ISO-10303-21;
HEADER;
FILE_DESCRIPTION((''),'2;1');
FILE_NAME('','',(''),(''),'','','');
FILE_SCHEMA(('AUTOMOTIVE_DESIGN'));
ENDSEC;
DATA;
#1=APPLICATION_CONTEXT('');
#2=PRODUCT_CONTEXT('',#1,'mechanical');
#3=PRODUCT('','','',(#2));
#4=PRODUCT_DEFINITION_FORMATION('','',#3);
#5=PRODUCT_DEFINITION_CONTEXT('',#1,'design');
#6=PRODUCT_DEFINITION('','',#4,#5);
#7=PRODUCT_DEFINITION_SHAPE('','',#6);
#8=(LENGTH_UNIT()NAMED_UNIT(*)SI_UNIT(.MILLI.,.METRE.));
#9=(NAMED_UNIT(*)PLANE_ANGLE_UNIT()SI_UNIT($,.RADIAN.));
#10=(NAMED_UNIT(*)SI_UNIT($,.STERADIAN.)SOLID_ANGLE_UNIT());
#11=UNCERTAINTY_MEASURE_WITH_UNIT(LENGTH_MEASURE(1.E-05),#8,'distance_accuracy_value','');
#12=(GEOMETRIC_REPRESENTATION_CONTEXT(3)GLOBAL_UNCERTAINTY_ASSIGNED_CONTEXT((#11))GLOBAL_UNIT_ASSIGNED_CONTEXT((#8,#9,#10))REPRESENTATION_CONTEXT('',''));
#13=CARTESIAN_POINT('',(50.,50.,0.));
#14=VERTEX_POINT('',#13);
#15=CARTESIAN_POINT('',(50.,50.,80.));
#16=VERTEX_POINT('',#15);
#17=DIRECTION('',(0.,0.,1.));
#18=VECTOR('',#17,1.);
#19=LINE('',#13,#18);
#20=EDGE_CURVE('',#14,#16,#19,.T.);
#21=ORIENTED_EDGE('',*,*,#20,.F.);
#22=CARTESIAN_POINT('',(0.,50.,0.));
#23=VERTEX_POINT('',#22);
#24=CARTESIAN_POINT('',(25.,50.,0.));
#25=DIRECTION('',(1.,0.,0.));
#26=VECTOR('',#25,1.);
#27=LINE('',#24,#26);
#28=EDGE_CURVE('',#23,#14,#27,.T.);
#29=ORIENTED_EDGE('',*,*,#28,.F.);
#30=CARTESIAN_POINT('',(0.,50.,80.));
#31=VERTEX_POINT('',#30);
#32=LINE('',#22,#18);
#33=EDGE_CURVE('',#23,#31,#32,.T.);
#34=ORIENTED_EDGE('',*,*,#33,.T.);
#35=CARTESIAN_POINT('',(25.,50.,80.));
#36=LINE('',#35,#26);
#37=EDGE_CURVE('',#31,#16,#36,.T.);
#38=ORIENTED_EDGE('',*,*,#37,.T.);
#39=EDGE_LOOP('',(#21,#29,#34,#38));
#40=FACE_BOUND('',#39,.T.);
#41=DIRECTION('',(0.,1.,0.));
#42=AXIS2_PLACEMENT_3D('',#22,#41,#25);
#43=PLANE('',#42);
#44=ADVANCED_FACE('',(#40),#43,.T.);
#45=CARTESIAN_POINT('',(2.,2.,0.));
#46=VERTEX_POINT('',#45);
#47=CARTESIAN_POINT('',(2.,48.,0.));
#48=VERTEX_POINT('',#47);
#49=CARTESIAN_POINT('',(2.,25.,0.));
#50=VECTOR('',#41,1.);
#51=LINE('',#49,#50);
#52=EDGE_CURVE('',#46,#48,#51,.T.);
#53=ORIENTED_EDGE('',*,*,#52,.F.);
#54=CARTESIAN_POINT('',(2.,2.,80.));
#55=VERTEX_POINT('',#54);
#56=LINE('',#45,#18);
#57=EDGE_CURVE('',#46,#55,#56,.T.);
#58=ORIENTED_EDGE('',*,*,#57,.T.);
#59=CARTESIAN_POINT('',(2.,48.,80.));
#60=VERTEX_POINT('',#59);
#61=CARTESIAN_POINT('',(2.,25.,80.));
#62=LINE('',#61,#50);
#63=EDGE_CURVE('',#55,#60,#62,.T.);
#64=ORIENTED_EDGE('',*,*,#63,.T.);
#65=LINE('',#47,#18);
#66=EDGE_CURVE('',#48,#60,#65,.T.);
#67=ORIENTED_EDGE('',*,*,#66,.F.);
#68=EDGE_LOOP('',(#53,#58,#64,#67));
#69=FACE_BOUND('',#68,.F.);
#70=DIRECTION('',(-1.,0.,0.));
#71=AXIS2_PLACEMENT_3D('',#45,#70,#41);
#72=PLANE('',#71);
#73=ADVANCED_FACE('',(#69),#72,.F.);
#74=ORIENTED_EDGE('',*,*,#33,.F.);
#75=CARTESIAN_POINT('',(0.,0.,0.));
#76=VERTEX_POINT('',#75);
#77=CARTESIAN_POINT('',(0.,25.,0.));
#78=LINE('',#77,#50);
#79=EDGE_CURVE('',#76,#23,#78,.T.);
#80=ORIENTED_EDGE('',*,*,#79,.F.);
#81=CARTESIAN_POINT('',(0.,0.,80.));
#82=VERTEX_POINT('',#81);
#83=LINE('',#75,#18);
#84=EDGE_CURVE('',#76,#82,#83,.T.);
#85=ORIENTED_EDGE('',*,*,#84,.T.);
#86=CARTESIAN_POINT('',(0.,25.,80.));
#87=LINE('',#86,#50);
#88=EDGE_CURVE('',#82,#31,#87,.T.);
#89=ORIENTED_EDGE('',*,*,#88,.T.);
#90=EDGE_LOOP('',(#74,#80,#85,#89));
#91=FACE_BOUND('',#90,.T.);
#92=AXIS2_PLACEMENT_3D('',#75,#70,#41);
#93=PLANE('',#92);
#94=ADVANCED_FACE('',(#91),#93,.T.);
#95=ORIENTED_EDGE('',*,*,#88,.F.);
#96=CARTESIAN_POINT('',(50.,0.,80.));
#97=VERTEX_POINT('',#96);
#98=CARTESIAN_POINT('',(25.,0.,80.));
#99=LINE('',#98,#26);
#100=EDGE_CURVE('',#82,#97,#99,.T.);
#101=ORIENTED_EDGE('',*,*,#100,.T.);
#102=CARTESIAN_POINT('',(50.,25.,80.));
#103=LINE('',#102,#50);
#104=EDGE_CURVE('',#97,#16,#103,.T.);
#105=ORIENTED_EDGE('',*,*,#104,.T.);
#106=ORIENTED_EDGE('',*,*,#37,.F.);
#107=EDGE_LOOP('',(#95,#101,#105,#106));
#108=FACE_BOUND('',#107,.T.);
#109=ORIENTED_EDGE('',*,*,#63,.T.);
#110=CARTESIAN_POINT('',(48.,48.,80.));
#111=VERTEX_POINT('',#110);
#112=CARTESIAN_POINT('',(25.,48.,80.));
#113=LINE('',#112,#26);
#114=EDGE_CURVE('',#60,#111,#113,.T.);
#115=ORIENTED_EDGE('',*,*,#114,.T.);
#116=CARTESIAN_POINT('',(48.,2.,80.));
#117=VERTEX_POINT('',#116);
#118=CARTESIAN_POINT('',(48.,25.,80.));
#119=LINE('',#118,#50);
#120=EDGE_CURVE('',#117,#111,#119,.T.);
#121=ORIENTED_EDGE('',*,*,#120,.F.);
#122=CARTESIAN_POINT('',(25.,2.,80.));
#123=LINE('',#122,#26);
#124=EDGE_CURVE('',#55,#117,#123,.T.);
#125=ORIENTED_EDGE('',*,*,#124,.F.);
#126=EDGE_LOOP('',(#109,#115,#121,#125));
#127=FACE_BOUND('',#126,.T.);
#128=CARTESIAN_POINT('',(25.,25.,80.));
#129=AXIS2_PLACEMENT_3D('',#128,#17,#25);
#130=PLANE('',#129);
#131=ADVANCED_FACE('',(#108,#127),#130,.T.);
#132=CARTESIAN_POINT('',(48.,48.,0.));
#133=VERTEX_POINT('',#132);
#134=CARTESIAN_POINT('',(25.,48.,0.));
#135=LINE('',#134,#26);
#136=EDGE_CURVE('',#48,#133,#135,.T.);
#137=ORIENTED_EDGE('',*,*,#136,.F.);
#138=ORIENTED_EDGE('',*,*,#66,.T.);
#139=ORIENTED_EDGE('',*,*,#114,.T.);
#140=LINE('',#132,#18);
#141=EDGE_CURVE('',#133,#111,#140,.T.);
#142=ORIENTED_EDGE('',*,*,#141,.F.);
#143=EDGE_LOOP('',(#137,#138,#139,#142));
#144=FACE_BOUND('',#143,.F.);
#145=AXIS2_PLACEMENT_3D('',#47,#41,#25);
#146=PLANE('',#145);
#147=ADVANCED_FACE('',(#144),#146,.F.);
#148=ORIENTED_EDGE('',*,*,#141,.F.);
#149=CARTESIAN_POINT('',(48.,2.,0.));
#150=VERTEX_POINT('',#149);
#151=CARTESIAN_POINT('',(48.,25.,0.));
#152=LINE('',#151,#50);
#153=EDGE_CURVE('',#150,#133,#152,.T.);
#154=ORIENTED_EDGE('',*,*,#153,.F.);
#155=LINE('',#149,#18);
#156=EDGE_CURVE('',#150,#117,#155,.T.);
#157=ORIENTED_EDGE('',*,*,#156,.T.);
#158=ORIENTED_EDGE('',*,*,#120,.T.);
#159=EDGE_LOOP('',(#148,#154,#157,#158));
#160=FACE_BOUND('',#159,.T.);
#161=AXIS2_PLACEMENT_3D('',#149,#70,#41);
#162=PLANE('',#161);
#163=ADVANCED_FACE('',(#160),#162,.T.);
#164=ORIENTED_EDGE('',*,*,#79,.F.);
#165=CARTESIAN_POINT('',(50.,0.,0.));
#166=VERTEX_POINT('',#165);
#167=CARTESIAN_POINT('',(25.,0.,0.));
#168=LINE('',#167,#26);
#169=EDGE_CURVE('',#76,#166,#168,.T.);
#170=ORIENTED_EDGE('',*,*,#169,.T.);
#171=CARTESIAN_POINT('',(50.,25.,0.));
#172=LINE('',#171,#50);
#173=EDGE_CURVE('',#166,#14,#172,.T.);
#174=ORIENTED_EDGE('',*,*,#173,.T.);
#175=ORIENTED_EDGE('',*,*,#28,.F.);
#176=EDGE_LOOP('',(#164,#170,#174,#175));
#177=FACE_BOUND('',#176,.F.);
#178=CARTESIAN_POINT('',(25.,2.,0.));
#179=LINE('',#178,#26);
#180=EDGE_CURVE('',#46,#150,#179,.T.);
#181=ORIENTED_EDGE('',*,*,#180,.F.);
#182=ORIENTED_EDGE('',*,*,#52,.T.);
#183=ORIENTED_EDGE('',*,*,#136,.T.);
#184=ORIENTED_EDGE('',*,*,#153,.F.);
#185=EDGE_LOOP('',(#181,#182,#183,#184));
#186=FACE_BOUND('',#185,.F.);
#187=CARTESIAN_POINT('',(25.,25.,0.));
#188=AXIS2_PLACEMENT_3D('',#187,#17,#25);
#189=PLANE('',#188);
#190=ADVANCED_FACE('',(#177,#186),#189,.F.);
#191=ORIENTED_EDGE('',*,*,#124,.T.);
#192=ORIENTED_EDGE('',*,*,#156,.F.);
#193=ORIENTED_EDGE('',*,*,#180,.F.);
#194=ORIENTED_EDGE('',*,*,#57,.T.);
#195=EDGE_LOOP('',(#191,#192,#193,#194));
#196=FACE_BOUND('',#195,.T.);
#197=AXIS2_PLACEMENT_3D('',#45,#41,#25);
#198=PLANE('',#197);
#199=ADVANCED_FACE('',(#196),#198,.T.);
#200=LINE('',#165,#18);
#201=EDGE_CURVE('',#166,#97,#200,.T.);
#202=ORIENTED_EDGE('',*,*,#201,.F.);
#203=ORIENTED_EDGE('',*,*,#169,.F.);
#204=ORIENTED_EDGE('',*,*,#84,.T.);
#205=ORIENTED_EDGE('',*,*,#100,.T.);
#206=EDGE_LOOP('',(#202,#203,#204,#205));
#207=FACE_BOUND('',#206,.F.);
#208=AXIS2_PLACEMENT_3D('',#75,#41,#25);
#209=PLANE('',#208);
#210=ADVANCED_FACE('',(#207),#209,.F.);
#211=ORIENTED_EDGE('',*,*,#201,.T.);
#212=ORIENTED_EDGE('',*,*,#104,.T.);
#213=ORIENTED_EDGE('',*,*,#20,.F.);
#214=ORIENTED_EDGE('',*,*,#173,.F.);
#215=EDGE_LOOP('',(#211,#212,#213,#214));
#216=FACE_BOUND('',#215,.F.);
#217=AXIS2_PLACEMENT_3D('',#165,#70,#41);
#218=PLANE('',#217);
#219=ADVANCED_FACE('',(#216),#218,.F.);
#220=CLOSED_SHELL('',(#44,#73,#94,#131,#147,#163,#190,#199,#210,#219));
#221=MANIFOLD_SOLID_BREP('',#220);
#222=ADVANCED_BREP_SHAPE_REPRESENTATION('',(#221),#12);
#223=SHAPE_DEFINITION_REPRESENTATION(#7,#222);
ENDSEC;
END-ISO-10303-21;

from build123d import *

# Parameters (mm, degrees)
BOX_W        = 46
BOX_H        = 46
BOX_DEPTH    = 80
BOX001_W     = 50
BOX001_H     = 50
BOX001_DEPTH = 80


with BuildPart() as cub_base:
    # Box → Box (new body)
    with BuildSketch(Plane(origin=(2, 2, 0), x_dir=(1, 0, 0), z_dir=(0, 0, 1))):
        with Locations((23, 23)):
            Rectangle(BOX_W, BOX_H)
    extrude(amount=BOX_DEPTH)


with BuildPart() as cut:
    # Box001 → Box001 (new body)
    with BuildSketch(Plane.XY):
        with Locations((25, 25)):
            Rectangle(BOX001_W, BOX001_H)
    extrude(amount=BOX001_DEPTH)

    # Cut: cut Cub_Base
    add(cub_base.part, mode=Mode.SUBTRACT)


solid = cut.part
